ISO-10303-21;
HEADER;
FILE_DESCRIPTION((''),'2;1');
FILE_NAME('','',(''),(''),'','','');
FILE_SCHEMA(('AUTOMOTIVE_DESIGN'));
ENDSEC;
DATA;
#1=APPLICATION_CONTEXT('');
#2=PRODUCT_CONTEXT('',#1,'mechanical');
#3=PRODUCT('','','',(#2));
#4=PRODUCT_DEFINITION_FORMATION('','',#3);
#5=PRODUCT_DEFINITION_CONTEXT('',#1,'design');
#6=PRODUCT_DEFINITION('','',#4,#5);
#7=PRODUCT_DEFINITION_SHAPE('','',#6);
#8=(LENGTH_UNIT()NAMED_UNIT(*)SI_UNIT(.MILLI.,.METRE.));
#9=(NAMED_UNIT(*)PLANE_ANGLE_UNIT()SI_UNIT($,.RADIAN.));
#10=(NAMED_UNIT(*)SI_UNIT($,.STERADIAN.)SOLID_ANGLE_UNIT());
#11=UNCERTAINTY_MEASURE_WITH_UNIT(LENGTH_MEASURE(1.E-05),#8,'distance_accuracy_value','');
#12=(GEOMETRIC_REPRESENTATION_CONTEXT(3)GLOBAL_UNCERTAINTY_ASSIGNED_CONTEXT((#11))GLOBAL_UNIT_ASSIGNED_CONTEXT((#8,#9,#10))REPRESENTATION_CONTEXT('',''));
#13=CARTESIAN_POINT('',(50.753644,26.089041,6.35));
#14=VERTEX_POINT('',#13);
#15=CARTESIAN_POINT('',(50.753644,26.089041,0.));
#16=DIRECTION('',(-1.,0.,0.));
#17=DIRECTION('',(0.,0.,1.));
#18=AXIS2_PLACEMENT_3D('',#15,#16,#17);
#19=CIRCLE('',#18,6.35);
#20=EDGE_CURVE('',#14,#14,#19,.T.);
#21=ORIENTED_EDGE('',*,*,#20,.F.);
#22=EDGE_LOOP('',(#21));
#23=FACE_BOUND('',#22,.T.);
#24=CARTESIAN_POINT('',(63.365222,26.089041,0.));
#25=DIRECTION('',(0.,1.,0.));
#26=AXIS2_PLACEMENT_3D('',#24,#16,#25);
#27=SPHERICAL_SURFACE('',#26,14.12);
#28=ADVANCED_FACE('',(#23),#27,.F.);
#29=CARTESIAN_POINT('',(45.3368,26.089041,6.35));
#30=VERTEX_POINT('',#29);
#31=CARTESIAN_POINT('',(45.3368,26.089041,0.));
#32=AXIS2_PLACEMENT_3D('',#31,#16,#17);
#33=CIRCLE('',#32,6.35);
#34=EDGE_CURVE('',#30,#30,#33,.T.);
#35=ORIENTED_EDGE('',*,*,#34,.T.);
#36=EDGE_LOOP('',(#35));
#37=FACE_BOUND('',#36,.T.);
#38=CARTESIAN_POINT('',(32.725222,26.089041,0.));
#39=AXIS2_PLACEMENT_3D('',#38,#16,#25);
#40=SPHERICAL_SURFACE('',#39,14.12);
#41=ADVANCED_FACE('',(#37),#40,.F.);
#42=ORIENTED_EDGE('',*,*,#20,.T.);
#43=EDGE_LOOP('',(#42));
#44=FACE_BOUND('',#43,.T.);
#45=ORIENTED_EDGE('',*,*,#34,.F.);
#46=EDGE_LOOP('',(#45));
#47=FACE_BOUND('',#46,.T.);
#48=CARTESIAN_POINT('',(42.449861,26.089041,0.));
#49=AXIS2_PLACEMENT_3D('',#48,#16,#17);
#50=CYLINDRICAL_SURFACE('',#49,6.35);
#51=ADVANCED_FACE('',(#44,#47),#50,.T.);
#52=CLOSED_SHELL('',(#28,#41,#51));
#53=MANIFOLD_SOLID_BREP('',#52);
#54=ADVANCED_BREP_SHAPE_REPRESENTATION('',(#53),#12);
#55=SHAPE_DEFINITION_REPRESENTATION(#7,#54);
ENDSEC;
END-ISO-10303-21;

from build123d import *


with BuildPart() as part:
    # 草图1 → 旋转1 (revolve)
    with BuildSketch(Plane.XY):
        with BuildLine():
            Line((46.845221984, 26.089041149), (49.245221984, 26.089041149))
            ThreePointArc((49.245221984, 26.089041149), (49.627502349, 29.352392068), (50.75364397, 32.439041149))
            Line((50.75364397, 32.439041149), (48.045221984, 32.439041149))
            Line((48.045221984, 32.439041149), (45.336799998, 32.439041149))
            ThreePointArc((45.336799998, 32.439041149), (46.462941619, 29.352392068), (46.845221984, 26.089041149))
        make_face()
    revolve(axis=Axis((42.449861114, 26.089041149, 0), (1, 0, 0)))


solid = part.part
